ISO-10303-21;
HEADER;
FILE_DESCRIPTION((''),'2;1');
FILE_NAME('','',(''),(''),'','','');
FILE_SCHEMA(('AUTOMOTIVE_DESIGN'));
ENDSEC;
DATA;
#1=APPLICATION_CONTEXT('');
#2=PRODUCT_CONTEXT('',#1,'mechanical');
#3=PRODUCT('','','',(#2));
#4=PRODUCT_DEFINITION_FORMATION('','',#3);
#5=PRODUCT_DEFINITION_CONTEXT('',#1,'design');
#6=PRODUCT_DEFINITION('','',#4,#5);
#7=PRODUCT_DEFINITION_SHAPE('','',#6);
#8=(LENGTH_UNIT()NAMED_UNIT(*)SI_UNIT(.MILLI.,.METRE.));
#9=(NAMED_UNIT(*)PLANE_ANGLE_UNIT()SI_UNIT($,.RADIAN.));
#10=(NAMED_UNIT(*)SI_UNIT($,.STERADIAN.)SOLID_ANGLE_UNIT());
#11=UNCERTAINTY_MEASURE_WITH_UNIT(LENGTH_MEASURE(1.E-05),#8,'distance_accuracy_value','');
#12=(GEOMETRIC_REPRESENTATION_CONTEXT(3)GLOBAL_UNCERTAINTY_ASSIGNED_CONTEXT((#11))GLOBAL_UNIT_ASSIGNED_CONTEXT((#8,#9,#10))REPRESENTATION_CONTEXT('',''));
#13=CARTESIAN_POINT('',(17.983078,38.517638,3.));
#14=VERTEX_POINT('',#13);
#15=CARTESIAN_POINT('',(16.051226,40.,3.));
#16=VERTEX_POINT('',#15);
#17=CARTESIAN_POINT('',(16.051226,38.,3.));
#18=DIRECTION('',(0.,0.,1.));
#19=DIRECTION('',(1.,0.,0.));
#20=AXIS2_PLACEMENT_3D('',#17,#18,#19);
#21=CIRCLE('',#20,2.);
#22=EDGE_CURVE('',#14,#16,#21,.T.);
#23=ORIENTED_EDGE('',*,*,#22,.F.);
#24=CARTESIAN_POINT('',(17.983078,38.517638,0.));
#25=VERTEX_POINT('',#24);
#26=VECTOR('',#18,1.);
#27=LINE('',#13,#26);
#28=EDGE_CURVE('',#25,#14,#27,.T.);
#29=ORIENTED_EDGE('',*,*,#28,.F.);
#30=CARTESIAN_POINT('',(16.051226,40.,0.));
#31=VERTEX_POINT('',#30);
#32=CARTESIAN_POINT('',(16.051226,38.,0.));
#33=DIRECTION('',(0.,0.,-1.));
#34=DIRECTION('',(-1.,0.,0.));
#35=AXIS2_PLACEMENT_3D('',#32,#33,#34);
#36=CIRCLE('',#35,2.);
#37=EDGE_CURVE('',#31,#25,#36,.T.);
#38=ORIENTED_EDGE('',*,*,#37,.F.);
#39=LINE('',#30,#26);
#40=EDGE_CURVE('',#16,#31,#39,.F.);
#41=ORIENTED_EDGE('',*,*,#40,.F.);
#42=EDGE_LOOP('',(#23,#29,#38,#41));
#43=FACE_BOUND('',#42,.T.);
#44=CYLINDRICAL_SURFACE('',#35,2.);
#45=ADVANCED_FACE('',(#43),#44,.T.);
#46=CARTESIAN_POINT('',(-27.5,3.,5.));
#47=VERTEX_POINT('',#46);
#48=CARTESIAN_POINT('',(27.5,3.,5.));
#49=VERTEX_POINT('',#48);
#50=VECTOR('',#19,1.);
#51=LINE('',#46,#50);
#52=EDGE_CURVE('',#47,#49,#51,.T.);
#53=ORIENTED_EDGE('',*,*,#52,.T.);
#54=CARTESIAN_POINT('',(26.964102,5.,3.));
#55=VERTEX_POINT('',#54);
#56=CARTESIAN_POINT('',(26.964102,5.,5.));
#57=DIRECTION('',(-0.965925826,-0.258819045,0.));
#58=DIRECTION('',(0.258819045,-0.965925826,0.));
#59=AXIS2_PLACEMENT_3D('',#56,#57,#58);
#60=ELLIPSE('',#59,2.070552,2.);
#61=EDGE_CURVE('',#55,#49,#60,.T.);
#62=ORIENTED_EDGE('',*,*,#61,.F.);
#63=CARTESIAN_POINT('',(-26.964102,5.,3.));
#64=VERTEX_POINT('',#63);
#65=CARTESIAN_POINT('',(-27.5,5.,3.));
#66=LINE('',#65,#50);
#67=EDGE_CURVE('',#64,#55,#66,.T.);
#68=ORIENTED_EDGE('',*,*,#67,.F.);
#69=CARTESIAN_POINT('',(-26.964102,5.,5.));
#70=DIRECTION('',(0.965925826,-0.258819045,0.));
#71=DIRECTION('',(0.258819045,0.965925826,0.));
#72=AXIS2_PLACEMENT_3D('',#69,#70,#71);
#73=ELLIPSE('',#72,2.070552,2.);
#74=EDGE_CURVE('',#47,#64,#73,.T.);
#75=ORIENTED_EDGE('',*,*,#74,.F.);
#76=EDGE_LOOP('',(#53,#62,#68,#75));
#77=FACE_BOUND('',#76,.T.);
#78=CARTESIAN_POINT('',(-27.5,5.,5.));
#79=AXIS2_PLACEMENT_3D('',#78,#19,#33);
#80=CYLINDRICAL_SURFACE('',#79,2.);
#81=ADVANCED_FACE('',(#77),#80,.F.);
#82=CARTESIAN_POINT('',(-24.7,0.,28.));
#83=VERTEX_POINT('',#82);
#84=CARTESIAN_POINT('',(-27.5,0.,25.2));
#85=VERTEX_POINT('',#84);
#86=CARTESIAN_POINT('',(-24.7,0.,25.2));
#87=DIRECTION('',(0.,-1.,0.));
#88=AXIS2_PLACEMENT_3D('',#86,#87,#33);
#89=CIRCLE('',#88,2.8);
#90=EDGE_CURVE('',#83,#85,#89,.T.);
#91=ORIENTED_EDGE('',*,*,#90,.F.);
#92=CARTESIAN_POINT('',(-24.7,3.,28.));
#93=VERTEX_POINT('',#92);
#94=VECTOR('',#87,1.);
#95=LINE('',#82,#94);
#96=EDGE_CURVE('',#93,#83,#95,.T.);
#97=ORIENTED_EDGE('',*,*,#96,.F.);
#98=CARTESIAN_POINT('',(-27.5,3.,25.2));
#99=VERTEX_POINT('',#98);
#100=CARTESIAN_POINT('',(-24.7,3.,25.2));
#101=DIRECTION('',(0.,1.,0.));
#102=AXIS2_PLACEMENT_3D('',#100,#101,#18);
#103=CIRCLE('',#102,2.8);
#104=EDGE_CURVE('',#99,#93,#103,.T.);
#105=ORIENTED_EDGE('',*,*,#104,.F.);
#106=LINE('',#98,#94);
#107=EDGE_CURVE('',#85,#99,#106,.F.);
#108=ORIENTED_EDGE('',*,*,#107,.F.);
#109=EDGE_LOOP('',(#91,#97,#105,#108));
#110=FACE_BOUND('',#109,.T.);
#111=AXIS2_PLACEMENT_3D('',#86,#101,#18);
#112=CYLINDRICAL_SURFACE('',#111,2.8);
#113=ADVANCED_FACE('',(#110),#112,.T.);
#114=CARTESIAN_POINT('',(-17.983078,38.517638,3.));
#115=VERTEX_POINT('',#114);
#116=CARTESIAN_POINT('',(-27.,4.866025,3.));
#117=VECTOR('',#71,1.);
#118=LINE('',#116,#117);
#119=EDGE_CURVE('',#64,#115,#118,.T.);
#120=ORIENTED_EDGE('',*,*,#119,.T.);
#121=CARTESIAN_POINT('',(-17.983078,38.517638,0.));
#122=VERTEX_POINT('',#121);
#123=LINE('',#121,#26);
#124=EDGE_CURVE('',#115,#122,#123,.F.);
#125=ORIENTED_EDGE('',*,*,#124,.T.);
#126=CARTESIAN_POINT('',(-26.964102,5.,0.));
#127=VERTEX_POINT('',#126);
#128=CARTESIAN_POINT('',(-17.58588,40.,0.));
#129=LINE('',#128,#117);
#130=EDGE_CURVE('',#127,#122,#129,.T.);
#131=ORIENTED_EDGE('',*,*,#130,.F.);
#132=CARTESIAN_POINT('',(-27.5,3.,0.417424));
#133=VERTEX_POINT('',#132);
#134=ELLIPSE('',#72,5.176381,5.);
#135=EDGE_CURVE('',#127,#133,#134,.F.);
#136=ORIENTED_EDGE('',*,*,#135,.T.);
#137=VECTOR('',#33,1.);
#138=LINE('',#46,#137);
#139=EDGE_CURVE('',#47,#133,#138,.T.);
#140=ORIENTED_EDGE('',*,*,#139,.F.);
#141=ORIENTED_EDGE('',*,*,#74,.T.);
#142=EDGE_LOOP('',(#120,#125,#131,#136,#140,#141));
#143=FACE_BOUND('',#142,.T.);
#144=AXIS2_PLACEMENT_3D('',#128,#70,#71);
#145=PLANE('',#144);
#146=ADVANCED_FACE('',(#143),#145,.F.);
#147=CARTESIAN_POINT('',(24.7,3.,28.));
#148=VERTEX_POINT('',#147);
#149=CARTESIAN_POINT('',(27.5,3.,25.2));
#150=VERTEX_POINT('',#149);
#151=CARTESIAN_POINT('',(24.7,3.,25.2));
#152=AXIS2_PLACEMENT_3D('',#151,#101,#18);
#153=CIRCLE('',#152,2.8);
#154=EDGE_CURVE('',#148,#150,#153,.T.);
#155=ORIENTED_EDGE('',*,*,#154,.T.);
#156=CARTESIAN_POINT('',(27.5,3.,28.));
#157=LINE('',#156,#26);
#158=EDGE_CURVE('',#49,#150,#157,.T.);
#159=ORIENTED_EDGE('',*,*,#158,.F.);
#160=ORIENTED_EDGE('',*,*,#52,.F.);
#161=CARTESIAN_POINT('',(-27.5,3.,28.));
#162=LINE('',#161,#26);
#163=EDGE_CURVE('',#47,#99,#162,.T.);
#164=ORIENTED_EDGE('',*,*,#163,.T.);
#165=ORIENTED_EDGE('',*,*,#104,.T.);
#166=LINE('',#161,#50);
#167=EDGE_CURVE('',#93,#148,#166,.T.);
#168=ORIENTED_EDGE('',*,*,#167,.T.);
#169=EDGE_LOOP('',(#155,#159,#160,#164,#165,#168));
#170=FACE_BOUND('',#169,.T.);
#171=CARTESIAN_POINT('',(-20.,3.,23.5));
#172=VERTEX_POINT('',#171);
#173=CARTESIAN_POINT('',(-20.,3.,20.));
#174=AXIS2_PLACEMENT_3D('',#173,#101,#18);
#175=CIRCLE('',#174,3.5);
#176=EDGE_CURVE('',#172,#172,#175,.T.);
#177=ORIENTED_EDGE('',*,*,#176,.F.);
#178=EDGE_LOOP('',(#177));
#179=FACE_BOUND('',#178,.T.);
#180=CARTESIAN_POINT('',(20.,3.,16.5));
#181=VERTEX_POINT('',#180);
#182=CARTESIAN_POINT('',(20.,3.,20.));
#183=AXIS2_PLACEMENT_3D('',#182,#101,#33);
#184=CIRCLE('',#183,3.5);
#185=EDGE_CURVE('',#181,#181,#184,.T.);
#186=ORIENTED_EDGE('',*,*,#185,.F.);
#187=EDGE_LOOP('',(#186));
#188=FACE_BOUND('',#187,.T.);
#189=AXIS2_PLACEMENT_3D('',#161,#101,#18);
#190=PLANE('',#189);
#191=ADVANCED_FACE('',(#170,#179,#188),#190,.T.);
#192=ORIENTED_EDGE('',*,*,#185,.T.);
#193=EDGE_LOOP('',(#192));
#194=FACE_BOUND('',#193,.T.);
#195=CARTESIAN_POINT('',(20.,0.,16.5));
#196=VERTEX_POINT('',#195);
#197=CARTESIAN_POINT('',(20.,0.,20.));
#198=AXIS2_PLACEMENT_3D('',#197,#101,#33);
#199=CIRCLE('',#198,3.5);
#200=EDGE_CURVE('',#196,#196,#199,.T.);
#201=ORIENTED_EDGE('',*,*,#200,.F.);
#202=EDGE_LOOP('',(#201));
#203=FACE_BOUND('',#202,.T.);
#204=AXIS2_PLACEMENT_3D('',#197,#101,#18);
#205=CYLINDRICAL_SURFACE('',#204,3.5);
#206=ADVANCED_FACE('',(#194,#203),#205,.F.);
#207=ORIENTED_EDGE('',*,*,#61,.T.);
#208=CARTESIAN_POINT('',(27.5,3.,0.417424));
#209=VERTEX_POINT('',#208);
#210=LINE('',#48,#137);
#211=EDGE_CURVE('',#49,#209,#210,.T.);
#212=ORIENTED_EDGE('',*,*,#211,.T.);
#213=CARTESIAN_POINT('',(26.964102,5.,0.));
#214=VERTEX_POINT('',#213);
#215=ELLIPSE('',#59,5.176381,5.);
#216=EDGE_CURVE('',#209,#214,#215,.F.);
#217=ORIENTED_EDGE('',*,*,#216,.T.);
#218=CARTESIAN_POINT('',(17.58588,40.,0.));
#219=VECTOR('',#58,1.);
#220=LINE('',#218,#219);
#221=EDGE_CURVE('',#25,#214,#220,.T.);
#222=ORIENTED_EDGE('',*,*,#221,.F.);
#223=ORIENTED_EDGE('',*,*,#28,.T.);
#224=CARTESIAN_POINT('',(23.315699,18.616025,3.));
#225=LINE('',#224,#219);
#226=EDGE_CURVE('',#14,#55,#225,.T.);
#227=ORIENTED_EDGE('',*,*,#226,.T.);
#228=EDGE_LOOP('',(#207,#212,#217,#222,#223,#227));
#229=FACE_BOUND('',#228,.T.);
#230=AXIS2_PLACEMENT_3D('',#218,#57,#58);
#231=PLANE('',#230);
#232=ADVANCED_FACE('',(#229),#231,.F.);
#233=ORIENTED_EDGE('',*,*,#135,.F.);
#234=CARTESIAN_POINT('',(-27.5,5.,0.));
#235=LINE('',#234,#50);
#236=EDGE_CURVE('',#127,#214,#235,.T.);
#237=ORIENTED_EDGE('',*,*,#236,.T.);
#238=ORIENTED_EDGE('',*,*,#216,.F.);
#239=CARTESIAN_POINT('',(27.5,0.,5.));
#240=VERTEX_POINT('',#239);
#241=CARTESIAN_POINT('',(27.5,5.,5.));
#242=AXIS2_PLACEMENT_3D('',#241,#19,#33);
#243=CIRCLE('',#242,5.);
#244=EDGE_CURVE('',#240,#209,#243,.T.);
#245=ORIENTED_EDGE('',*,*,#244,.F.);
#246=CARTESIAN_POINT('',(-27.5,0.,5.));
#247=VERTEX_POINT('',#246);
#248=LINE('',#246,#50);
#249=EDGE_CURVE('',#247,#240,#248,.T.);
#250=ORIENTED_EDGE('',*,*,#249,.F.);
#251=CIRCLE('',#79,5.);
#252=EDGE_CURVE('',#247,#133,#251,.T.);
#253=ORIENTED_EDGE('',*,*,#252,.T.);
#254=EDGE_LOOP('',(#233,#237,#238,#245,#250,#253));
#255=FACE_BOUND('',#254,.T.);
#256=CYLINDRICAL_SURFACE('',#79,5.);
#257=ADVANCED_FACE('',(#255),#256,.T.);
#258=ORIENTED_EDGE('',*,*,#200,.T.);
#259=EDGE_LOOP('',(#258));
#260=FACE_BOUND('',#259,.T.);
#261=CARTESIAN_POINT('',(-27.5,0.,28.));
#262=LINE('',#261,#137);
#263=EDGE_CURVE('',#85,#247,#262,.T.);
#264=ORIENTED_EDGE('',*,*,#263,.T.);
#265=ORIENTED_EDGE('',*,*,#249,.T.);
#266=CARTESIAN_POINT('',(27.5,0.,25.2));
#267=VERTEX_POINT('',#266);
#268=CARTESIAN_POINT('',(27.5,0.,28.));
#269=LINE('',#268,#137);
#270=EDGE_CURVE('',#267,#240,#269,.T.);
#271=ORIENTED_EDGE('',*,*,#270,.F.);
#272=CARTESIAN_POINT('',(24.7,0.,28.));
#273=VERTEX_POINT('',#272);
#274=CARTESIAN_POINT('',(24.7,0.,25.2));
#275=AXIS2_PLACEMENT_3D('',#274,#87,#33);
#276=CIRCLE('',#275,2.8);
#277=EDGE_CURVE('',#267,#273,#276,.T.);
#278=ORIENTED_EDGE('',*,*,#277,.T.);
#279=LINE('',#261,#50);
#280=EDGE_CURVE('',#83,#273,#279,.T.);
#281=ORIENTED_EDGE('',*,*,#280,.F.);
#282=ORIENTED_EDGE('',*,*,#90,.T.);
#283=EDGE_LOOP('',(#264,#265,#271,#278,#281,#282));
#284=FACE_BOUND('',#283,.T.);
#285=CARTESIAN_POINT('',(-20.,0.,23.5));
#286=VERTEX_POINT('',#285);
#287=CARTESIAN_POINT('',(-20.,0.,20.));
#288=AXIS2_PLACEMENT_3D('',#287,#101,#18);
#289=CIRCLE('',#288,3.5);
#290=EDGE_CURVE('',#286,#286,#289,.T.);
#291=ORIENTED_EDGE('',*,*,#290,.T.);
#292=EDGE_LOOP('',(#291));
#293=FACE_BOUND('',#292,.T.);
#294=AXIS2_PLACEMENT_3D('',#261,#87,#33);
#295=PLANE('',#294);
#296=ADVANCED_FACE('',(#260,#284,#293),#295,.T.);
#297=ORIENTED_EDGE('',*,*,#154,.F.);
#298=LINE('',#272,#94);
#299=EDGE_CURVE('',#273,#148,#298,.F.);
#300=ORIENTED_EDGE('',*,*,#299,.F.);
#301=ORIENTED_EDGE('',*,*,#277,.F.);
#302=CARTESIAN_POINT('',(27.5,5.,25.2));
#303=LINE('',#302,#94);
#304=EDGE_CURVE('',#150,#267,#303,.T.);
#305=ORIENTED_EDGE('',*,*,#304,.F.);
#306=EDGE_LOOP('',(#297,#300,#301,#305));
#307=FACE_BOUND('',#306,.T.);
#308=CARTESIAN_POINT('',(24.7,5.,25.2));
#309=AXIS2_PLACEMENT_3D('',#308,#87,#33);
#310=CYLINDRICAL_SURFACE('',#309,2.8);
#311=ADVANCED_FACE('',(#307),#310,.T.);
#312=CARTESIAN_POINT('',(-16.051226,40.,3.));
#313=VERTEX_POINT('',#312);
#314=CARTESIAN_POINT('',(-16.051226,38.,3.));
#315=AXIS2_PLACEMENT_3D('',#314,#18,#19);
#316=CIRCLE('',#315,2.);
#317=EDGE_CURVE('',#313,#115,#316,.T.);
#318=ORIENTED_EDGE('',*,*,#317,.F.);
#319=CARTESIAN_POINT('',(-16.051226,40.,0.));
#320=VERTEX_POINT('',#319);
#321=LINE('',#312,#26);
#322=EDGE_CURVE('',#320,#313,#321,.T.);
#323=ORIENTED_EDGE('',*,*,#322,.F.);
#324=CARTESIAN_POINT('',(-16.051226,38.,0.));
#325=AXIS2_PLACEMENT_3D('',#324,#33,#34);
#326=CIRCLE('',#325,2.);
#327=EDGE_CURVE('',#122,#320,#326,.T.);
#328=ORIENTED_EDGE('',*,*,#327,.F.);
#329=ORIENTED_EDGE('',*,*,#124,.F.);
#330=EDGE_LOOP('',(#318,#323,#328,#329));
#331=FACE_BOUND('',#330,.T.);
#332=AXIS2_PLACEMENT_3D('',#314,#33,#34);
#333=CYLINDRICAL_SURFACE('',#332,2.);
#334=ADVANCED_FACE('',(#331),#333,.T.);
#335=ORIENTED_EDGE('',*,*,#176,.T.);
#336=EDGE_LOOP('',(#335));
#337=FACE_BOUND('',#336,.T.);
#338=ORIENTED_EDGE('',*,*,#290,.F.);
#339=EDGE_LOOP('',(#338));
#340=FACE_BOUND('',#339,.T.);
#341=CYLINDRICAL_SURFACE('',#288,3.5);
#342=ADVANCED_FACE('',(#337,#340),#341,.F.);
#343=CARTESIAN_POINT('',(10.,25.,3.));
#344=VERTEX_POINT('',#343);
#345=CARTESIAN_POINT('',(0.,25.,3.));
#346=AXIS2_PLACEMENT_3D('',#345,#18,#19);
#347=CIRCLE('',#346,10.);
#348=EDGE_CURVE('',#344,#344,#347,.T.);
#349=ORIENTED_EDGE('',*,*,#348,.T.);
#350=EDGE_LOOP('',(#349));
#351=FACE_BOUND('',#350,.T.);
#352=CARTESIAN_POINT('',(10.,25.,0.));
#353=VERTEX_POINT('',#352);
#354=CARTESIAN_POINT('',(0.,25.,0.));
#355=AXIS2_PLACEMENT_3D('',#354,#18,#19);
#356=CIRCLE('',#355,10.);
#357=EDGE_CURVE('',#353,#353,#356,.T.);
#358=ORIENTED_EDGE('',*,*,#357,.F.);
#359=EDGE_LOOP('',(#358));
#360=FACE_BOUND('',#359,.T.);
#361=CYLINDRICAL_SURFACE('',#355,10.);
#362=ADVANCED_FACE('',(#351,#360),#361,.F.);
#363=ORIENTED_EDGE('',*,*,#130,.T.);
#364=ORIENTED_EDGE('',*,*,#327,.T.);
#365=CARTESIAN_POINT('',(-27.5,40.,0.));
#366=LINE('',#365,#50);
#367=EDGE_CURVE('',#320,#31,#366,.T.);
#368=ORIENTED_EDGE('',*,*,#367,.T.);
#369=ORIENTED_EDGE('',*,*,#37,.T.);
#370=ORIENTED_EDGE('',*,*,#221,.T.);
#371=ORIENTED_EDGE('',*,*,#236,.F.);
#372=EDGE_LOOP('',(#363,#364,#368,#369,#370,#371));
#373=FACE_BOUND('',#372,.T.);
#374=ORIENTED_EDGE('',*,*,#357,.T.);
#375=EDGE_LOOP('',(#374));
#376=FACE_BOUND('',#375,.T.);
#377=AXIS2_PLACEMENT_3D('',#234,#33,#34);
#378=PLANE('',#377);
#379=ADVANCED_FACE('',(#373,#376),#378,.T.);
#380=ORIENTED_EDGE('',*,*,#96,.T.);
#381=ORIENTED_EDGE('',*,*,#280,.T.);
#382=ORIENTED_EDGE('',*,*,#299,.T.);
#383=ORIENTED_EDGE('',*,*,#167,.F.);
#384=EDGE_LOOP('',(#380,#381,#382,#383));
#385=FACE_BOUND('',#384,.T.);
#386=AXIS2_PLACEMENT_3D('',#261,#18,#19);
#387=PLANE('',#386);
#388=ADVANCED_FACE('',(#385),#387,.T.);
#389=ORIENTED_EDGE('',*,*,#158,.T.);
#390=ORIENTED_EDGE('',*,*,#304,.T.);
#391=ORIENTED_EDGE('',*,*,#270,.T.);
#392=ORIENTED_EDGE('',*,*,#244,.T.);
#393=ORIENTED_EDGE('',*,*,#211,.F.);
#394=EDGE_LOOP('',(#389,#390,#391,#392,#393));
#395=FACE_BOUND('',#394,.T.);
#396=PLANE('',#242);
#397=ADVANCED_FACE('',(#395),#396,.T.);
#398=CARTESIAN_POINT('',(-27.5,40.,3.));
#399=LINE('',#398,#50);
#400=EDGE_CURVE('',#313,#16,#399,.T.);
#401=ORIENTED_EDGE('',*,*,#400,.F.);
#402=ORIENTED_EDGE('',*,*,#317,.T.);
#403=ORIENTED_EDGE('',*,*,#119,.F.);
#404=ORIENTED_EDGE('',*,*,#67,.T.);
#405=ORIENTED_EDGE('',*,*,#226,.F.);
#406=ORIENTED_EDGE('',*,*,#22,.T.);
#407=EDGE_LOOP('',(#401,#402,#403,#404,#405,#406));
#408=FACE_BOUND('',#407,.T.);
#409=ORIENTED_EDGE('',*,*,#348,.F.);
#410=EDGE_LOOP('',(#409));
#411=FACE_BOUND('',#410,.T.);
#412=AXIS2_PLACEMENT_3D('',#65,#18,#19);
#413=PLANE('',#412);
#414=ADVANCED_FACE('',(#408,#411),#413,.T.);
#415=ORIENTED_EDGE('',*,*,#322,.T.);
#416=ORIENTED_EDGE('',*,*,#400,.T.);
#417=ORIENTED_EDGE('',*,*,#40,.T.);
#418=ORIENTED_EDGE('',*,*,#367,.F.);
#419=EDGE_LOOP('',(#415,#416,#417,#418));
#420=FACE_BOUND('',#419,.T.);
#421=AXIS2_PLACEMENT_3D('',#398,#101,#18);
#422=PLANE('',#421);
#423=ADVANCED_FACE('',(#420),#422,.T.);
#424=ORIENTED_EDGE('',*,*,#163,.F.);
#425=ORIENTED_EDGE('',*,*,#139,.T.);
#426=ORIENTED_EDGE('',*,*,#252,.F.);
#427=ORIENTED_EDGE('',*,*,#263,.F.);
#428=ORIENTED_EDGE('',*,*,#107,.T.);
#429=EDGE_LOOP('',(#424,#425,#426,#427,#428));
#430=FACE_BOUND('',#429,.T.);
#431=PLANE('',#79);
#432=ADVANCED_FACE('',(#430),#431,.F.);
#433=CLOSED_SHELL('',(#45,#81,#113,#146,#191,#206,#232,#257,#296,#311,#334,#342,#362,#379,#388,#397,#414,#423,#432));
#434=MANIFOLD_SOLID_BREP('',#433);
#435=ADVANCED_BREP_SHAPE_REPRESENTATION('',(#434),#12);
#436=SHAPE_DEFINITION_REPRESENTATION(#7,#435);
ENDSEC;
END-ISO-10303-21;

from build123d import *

# Parameters (mm, degrees)
EXTRUDE_START            = 27.5
EXTRUDE_1_DEPTH          = 55
SKETCH_4_R               = 10
CUT_EXTRUDE_1_DEPTH      = 55.60082417
CUT_EXTRUDE_2_DEPTH      = 55.60082417
CUT_EXTRUDE_2_DEPTH_BACK = 55.60082417
SKETCH_6_R               = 3.5
CUT_EXTRUDE_3_DEPTH      = 54.937463789
FILLET_1_R               = 2
FILLET_2_R               = 2.8


with BuildPart() as part:
    # 草图3 → 凸台-拉伸1 (new body)
    with BuildSketch(Plane(origin=(0, 0, 0), x_dir=(0, 0, -1), z_dir=(1, 0, 0)).offset(EXTRUDE_START)):
        with BuildLine():
            Line((-28, 0), (-5, 0))
            ThreePointArc((-5, 0), (-1.464466094, 1.464466094), (0, 5))
            Line((0, 5), (0, 40))
            Line((0, 40), (-3, 40))
            Line((-3, 40), (-3, 5))
            ThreePointArc((-3, 5), (-3.585786438, 3.585786438), (-5, 3))
            Line((-5, 3), (-28, 3))
            Line((-28, 3), (-28, 0))
        make_face()
    extrude(amount=-EXTRUDE_1_DEPTH)

    # 草图4 → 切除-拉伸1 (cut, through all)
    with BuildSketch(Plane.XY.offset(3)):
        with Locations((0, 25)):
            Circle(SKETCH_4_R)
    extrude(amount=-CUT_EXTRUDE_1_DEPTH, mode=Mode.SUBTRACT)

    # 草图5 → 切除-拉伸2 (cut, two sides: drawn at the far end of the back side and taken through both)
    with BuildSketch(Plane.XY.offset(3).offset(-CUT_EXTRUDE_2_DEPTH_BACK)):
        Polygon((-17.58587988, 40), (-27.5, 3), (-27.5, 50), (27.5, 50), (27.5, 3), (17.58587988, 40), align=None)
    extrude(amount=CUT_EXTRUDE_2_DEPTH + CUT_EXTRUDE_2_DEPTH_BACK, mode=Mode.SUBTRACT)

    # 草图6 → 切除-拉伸3 (cut, through all)
    with BuildSketch(Plane(origin=(0, 3, 0), x_dir=(1, 0, 0), z_dir=(0, 1, 0))):
        with Locations(Location((-20, -20, 0), (0, 0, 270))):
            Circle(SKETCH_6_R)
        with Locations(Location((20, -20, 0), (0, 0, 90))):
            Circle(SKETCH_6_R)
    extrude(amount=-CUT_EXTRUDE_3_DEPTH, mode=Mode.SUBTRACT)

    # 圆角1
    fillet_1_edges = [part.edges().sort_by_distance(p)[0] for p in [
        (17.58587988, 40, 1.5),
        (-17.58587988, 40, 1.5),
    ]]
    fillet(fillet_1_edges, radius=FILLET_1_R)

    # 圆角2
    fillet_2_edges = [part.edges().sort_by_distance(p)[0] for p in [
        (27.5, 1.5, 28),
        (-27.5, 1.5, 28),
    ]]
    fillet(fillet_2_edges, radius=FILLET_2_R)


solid = part.part
